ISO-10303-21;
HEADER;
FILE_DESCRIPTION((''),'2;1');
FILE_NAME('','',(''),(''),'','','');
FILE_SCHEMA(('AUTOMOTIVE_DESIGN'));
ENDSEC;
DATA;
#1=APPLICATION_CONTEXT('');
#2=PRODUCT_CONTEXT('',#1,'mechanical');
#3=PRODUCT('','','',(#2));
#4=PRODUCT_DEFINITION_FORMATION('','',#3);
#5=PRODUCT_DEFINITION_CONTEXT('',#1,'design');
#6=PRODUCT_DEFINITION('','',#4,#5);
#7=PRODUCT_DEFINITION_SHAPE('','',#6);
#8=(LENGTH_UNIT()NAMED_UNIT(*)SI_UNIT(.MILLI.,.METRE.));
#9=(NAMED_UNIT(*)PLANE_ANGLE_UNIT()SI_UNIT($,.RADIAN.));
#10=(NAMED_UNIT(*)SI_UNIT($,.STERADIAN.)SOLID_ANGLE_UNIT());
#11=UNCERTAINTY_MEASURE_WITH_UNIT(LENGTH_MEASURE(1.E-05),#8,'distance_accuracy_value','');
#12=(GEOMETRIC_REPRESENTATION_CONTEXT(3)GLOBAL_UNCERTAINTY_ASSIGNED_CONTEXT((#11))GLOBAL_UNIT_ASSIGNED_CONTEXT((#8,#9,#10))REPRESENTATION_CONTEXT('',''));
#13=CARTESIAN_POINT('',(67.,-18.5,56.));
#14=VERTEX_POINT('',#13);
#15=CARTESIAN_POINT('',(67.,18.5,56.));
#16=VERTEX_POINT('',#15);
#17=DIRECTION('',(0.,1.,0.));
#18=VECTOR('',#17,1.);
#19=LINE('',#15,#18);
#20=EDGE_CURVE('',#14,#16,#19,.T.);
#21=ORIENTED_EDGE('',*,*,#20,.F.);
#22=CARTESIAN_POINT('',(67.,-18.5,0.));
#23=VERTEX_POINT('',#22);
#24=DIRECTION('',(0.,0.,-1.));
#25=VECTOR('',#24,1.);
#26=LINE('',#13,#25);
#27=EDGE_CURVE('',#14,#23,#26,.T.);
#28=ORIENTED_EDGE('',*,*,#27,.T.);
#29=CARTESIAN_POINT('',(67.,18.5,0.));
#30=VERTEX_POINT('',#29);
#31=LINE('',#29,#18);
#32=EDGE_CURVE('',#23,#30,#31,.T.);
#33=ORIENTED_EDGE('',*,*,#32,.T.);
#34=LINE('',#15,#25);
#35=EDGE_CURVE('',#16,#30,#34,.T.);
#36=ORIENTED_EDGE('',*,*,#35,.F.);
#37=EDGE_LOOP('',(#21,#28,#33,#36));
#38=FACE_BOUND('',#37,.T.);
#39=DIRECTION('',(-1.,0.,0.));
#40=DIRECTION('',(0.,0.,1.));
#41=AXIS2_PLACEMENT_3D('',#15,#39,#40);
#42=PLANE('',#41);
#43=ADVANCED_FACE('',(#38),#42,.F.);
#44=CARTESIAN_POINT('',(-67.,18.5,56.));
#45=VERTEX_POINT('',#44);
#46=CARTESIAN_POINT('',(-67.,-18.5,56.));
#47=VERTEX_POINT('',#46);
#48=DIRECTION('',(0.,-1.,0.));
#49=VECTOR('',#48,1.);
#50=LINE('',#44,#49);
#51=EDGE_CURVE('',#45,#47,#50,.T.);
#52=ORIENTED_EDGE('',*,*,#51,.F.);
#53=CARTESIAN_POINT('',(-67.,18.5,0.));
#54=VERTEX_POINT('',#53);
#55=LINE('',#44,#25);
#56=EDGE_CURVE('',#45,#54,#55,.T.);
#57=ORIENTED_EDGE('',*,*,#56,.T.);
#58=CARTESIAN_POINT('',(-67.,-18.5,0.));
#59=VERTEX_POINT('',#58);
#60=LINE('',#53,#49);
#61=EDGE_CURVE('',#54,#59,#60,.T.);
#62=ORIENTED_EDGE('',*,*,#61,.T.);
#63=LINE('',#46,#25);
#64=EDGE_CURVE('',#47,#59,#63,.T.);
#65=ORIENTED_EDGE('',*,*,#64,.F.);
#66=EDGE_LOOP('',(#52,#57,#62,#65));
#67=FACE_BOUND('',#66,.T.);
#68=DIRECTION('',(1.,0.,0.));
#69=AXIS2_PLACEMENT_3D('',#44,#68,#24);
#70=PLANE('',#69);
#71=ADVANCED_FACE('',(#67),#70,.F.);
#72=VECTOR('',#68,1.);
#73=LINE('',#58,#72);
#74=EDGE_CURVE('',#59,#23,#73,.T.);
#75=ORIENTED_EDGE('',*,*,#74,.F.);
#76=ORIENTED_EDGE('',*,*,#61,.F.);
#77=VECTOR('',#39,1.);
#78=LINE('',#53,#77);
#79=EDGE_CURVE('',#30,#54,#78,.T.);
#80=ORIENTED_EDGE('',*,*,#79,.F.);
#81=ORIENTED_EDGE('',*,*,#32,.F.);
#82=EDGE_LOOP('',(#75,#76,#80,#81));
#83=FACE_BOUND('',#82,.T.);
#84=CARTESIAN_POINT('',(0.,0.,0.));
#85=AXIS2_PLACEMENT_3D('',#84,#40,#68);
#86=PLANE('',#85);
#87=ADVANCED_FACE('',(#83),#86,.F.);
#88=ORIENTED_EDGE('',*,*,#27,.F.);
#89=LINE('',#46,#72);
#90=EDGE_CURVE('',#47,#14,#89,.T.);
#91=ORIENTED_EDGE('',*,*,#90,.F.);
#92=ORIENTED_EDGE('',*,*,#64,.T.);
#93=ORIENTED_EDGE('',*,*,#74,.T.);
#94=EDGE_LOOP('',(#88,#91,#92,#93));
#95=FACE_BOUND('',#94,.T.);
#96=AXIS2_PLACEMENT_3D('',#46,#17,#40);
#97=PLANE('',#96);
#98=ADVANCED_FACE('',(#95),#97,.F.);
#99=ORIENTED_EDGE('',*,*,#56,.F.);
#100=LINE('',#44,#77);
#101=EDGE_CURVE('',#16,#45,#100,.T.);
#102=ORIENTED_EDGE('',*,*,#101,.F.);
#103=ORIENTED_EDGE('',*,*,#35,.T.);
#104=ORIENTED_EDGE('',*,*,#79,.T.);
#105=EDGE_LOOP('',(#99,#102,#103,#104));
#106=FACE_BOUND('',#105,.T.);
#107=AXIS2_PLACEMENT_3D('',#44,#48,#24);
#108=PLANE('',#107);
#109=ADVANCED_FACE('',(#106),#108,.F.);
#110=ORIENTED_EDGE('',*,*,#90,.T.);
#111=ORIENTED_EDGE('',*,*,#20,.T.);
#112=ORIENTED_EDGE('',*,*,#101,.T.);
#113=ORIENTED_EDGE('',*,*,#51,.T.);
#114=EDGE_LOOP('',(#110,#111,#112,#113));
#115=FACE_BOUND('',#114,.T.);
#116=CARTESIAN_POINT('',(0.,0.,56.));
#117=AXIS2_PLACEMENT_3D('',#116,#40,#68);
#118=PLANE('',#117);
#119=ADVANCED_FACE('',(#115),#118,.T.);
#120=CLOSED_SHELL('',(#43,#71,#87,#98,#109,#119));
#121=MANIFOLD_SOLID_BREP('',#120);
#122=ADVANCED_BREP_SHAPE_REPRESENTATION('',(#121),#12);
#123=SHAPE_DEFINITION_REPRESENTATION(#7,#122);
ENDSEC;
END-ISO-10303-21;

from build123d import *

# Parameters (mm, degrees)
SKETCH_1_W      = 134
SKETCH_1_H      = 37
EXTRUDE_1_DEPTH = 56


with BuildPart() as part:
    # 草图1 → 凸台-拉伸1 (new body)
    with BuildSketch(Plane.XY):
        Rectangle(SKETCH_1_W, SKETCH_1_H)
    extrude(amount=EXTRUDE_1_DEPTH)


solid = part.part
